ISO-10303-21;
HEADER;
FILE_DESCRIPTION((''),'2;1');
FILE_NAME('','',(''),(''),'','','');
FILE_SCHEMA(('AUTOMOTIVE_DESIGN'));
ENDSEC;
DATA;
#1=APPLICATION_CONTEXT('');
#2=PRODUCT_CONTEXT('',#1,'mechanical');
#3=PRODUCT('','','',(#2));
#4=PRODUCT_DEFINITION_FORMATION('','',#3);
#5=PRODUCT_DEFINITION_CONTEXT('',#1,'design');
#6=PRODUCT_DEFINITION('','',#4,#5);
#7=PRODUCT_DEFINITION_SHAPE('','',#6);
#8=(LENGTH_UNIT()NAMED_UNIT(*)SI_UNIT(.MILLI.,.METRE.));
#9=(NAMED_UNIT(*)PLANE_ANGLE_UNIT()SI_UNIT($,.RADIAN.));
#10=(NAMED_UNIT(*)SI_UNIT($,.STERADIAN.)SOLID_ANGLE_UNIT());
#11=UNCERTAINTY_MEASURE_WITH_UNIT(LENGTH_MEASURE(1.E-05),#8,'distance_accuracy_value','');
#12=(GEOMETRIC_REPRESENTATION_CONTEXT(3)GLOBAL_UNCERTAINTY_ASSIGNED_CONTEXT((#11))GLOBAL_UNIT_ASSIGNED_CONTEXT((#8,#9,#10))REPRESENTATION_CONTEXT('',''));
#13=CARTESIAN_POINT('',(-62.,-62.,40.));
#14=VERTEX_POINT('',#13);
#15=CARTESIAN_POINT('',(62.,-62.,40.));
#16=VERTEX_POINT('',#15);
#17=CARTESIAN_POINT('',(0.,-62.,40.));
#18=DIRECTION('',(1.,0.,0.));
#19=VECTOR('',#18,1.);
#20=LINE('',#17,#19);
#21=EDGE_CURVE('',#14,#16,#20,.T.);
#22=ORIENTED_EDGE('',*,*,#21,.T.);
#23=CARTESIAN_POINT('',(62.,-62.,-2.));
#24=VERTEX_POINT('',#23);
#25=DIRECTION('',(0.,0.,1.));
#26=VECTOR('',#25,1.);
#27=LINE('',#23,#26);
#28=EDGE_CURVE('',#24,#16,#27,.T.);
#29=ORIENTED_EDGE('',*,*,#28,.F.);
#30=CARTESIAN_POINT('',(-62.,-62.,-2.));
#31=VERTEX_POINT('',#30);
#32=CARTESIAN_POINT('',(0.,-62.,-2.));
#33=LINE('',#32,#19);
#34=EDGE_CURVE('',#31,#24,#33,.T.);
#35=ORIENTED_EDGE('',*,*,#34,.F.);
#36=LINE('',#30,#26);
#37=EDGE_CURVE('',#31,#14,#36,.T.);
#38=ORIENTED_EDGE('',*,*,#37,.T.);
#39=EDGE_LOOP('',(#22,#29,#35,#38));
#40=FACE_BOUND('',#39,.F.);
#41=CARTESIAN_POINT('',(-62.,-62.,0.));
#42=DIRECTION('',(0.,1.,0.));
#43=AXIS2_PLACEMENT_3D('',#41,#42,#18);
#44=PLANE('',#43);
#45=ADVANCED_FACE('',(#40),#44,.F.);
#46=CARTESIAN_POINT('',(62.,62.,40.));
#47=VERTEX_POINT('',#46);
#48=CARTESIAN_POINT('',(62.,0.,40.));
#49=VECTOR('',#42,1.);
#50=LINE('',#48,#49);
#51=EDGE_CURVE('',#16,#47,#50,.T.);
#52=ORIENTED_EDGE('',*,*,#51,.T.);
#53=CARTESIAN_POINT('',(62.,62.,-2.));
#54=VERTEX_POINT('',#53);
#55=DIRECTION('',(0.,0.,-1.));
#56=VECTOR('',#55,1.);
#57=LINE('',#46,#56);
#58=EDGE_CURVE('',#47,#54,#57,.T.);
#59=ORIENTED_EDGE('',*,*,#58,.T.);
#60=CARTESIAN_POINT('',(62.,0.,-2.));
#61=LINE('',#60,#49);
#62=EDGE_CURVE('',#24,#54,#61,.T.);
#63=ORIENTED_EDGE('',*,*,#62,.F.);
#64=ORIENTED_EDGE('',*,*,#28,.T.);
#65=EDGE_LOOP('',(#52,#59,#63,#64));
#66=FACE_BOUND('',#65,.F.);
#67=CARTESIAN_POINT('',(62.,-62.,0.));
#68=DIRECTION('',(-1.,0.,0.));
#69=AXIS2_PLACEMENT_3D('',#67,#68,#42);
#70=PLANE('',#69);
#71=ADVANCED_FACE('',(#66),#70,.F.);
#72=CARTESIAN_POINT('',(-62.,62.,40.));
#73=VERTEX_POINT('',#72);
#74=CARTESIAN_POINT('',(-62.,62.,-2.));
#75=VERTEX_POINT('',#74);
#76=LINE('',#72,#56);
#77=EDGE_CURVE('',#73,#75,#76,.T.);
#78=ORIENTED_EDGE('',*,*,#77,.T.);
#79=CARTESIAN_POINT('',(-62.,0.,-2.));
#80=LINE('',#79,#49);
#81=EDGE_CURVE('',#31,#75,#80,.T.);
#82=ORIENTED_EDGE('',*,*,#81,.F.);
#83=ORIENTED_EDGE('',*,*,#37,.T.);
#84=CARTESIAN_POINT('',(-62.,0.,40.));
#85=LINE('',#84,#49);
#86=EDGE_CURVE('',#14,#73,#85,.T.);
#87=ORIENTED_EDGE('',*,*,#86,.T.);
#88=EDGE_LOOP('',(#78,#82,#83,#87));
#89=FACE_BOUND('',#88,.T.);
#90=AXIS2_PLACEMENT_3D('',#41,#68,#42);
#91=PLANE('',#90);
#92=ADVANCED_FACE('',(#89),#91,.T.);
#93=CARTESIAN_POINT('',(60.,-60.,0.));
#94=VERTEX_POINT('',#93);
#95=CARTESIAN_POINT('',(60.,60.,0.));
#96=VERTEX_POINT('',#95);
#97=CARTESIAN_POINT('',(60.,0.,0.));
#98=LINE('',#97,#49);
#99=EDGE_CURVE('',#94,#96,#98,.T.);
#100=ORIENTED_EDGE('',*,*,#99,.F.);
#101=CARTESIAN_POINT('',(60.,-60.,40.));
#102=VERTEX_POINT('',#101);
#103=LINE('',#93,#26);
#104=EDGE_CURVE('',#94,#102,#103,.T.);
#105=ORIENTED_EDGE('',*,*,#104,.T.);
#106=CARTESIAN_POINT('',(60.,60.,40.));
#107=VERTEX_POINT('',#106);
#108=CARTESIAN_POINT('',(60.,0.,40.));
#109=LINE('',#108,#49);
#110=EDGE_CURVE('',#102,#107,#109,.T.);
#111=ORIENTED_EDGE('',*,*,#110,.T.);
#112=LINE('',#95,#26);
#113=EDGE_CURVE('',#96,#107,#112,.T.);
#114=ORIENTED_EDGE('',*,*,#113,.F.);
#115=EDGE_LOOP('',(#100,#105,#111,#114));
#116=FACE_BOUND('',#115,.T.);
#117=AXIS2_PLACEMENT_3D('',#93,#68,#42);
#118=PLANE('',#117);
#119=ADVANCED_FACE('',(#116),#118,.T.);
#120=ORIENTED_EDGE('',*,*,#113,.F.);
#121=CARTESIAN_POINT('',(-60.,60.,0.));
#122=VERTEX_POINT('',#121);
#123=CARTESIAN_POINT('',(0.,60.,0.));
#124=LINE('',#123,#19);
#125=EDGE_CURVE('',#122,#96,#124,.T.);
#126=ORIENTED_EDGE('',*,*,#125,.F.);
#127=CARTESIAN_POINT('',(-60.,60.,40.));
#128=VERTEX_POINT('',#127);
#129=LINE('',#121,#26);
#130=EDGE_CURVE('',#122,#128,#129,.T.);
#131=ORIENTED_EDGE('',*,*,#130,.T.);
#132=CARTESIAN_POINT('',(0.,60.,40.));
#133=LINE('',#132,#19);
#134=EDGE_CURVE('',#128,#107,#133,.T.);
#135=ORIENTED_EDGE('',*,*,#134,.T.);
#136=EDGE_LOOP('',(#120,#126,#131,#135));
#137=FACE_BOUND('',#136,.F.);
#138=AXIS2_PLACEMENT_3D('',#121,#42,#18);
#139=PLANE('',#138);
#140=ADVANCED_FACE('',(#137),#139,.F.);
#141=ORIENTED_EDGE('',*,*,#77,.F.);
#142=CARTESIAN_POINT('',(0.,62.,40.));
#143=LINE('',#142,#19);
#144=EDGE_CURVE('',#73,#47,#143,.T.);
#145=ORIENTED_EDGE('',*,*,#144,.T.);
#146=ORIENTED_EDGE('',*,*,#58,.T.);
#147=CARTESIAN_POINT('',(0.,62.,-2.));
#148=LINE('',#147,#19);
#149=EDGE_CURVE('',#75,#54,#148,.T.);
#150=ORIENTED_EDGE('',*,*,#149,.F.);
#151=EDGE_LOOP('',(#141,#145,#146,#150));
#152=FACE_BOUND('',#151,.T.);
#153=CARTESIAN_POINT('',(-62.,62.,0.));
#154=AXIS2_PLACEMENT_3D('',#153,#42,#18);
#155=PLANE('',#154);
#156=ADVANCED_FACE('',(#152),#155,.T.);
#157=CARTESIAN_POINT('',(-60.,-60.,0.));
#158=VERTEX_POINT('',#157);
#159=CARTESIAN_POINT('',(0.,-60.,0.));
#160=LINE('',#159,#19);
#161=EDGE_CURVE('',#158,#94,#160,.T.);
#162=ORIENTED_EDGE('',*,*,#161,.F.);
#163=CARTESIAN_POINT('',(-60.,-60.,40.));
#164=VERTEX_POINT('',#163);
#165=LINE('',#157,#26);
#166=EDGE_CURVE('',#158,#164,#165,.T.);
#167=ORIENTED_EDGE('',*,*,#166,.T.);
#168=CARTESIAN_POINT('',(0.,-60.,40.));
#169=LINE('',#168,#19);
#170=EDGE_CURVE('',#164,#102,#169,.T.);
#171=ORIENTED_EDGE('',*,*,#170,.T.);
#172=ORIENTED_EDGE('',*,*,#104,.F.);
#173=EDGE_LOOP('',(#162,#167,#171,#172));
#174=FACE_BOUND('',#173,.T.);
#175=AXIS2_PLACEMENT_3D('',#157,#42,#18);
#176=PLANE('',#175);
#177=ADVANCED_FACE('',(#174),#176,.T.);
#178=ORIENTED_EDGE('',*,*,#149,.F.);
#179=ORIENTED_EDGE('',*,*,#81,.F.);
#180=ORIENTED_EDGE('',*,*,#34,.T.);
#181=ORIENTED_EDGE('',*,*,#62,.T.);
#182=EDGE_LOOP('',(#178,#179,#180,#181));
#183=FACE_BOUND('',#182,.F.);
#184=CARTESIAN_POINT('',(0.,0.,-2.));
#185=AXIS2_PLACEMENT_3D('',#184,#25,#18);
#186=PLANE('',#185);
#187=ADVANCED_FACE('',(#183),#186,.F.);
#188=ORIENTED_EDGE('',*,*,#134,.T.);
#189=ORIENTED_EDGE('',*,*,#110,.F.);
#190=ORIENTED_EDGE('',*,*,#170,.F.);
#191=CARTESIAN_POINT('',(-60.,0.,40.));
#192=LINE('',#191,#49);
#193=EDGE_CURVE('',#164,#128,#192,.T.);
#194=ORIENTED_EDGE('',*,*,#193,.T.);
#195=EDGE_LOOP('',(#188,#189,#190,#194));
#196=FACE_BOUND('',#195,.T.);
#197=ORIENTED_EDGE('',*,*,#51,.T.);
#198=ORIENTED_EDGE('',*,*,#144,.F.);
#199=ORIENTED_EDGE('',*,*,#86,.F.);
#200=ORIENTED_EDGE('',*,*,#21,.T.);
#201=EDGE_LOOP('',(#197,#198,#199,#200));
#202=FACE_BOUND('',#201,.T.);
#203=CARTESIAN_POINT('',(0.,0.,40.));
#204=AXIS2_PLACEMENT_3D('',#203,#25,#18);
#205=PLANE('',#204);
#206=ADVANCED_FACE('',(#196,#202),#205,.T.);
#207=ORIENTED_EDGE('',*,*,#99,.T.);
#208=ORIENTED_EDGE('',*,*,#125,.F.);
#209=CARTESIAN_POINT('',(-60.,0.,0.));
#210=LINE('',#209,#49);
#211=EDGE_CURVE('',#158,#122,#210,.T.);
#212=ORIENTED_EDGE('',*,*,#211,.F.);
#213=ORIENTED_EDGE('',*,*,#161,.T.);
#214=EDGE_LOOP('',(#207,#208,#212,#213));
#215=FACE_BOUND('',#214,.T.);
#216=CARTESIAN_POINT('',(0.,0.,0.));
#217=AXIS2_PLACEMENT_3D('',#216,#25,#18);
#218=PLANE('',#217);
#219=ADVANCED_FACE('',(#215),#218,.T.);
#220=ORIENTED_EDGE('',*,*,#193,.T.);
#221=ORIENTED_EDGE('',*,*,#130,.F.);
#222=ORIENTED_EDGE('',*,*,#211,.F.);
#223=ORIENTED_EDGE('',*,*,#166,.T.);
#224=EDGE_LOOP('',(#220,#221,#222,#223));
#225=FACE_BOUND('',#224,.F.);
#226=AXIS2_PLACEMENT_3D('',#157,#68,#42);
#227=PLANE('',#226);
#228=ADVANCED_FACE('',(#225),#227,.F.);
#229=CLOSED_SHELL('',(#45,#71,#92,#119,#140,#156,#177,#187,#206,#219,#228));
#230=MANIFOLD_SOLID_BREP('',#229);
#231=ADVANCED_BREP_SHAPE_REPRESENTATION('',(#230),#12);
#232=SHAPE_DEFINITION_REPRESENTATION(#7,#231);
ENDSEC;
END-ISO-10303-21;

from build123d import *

# Parameters (mm, degrees)
F0_W     = 124
F0_H     = 124
F0_W_2   = 120
F0_H_2   = 120
F1_DEPTH = 2
F2_DEPTH = 40


with BuildPart() as f1:
    # F0 (on Top) → F1 (new body)
    with BuildSketch(Plane.XY):
        Rectangle(F0_W, F0_H)
        Rectangle(F0_W_2, F0_H_2, mode=Mode.SUBTRACT)
        Rectangle(F0_W_2, F0_H_2)
    extrude(amount=-F1_DEPTH)

    # F0 (on Top) → F2 (join)
    with BuildSketch(Plane.XY):
        Rectangle(F0_W, F0_H)
        Rectangle(F0_W_2, F0_H_2, mode=Mode.SUBTRACT)
    extrude(amount=F2_DEPTH)


solid = f1.part
